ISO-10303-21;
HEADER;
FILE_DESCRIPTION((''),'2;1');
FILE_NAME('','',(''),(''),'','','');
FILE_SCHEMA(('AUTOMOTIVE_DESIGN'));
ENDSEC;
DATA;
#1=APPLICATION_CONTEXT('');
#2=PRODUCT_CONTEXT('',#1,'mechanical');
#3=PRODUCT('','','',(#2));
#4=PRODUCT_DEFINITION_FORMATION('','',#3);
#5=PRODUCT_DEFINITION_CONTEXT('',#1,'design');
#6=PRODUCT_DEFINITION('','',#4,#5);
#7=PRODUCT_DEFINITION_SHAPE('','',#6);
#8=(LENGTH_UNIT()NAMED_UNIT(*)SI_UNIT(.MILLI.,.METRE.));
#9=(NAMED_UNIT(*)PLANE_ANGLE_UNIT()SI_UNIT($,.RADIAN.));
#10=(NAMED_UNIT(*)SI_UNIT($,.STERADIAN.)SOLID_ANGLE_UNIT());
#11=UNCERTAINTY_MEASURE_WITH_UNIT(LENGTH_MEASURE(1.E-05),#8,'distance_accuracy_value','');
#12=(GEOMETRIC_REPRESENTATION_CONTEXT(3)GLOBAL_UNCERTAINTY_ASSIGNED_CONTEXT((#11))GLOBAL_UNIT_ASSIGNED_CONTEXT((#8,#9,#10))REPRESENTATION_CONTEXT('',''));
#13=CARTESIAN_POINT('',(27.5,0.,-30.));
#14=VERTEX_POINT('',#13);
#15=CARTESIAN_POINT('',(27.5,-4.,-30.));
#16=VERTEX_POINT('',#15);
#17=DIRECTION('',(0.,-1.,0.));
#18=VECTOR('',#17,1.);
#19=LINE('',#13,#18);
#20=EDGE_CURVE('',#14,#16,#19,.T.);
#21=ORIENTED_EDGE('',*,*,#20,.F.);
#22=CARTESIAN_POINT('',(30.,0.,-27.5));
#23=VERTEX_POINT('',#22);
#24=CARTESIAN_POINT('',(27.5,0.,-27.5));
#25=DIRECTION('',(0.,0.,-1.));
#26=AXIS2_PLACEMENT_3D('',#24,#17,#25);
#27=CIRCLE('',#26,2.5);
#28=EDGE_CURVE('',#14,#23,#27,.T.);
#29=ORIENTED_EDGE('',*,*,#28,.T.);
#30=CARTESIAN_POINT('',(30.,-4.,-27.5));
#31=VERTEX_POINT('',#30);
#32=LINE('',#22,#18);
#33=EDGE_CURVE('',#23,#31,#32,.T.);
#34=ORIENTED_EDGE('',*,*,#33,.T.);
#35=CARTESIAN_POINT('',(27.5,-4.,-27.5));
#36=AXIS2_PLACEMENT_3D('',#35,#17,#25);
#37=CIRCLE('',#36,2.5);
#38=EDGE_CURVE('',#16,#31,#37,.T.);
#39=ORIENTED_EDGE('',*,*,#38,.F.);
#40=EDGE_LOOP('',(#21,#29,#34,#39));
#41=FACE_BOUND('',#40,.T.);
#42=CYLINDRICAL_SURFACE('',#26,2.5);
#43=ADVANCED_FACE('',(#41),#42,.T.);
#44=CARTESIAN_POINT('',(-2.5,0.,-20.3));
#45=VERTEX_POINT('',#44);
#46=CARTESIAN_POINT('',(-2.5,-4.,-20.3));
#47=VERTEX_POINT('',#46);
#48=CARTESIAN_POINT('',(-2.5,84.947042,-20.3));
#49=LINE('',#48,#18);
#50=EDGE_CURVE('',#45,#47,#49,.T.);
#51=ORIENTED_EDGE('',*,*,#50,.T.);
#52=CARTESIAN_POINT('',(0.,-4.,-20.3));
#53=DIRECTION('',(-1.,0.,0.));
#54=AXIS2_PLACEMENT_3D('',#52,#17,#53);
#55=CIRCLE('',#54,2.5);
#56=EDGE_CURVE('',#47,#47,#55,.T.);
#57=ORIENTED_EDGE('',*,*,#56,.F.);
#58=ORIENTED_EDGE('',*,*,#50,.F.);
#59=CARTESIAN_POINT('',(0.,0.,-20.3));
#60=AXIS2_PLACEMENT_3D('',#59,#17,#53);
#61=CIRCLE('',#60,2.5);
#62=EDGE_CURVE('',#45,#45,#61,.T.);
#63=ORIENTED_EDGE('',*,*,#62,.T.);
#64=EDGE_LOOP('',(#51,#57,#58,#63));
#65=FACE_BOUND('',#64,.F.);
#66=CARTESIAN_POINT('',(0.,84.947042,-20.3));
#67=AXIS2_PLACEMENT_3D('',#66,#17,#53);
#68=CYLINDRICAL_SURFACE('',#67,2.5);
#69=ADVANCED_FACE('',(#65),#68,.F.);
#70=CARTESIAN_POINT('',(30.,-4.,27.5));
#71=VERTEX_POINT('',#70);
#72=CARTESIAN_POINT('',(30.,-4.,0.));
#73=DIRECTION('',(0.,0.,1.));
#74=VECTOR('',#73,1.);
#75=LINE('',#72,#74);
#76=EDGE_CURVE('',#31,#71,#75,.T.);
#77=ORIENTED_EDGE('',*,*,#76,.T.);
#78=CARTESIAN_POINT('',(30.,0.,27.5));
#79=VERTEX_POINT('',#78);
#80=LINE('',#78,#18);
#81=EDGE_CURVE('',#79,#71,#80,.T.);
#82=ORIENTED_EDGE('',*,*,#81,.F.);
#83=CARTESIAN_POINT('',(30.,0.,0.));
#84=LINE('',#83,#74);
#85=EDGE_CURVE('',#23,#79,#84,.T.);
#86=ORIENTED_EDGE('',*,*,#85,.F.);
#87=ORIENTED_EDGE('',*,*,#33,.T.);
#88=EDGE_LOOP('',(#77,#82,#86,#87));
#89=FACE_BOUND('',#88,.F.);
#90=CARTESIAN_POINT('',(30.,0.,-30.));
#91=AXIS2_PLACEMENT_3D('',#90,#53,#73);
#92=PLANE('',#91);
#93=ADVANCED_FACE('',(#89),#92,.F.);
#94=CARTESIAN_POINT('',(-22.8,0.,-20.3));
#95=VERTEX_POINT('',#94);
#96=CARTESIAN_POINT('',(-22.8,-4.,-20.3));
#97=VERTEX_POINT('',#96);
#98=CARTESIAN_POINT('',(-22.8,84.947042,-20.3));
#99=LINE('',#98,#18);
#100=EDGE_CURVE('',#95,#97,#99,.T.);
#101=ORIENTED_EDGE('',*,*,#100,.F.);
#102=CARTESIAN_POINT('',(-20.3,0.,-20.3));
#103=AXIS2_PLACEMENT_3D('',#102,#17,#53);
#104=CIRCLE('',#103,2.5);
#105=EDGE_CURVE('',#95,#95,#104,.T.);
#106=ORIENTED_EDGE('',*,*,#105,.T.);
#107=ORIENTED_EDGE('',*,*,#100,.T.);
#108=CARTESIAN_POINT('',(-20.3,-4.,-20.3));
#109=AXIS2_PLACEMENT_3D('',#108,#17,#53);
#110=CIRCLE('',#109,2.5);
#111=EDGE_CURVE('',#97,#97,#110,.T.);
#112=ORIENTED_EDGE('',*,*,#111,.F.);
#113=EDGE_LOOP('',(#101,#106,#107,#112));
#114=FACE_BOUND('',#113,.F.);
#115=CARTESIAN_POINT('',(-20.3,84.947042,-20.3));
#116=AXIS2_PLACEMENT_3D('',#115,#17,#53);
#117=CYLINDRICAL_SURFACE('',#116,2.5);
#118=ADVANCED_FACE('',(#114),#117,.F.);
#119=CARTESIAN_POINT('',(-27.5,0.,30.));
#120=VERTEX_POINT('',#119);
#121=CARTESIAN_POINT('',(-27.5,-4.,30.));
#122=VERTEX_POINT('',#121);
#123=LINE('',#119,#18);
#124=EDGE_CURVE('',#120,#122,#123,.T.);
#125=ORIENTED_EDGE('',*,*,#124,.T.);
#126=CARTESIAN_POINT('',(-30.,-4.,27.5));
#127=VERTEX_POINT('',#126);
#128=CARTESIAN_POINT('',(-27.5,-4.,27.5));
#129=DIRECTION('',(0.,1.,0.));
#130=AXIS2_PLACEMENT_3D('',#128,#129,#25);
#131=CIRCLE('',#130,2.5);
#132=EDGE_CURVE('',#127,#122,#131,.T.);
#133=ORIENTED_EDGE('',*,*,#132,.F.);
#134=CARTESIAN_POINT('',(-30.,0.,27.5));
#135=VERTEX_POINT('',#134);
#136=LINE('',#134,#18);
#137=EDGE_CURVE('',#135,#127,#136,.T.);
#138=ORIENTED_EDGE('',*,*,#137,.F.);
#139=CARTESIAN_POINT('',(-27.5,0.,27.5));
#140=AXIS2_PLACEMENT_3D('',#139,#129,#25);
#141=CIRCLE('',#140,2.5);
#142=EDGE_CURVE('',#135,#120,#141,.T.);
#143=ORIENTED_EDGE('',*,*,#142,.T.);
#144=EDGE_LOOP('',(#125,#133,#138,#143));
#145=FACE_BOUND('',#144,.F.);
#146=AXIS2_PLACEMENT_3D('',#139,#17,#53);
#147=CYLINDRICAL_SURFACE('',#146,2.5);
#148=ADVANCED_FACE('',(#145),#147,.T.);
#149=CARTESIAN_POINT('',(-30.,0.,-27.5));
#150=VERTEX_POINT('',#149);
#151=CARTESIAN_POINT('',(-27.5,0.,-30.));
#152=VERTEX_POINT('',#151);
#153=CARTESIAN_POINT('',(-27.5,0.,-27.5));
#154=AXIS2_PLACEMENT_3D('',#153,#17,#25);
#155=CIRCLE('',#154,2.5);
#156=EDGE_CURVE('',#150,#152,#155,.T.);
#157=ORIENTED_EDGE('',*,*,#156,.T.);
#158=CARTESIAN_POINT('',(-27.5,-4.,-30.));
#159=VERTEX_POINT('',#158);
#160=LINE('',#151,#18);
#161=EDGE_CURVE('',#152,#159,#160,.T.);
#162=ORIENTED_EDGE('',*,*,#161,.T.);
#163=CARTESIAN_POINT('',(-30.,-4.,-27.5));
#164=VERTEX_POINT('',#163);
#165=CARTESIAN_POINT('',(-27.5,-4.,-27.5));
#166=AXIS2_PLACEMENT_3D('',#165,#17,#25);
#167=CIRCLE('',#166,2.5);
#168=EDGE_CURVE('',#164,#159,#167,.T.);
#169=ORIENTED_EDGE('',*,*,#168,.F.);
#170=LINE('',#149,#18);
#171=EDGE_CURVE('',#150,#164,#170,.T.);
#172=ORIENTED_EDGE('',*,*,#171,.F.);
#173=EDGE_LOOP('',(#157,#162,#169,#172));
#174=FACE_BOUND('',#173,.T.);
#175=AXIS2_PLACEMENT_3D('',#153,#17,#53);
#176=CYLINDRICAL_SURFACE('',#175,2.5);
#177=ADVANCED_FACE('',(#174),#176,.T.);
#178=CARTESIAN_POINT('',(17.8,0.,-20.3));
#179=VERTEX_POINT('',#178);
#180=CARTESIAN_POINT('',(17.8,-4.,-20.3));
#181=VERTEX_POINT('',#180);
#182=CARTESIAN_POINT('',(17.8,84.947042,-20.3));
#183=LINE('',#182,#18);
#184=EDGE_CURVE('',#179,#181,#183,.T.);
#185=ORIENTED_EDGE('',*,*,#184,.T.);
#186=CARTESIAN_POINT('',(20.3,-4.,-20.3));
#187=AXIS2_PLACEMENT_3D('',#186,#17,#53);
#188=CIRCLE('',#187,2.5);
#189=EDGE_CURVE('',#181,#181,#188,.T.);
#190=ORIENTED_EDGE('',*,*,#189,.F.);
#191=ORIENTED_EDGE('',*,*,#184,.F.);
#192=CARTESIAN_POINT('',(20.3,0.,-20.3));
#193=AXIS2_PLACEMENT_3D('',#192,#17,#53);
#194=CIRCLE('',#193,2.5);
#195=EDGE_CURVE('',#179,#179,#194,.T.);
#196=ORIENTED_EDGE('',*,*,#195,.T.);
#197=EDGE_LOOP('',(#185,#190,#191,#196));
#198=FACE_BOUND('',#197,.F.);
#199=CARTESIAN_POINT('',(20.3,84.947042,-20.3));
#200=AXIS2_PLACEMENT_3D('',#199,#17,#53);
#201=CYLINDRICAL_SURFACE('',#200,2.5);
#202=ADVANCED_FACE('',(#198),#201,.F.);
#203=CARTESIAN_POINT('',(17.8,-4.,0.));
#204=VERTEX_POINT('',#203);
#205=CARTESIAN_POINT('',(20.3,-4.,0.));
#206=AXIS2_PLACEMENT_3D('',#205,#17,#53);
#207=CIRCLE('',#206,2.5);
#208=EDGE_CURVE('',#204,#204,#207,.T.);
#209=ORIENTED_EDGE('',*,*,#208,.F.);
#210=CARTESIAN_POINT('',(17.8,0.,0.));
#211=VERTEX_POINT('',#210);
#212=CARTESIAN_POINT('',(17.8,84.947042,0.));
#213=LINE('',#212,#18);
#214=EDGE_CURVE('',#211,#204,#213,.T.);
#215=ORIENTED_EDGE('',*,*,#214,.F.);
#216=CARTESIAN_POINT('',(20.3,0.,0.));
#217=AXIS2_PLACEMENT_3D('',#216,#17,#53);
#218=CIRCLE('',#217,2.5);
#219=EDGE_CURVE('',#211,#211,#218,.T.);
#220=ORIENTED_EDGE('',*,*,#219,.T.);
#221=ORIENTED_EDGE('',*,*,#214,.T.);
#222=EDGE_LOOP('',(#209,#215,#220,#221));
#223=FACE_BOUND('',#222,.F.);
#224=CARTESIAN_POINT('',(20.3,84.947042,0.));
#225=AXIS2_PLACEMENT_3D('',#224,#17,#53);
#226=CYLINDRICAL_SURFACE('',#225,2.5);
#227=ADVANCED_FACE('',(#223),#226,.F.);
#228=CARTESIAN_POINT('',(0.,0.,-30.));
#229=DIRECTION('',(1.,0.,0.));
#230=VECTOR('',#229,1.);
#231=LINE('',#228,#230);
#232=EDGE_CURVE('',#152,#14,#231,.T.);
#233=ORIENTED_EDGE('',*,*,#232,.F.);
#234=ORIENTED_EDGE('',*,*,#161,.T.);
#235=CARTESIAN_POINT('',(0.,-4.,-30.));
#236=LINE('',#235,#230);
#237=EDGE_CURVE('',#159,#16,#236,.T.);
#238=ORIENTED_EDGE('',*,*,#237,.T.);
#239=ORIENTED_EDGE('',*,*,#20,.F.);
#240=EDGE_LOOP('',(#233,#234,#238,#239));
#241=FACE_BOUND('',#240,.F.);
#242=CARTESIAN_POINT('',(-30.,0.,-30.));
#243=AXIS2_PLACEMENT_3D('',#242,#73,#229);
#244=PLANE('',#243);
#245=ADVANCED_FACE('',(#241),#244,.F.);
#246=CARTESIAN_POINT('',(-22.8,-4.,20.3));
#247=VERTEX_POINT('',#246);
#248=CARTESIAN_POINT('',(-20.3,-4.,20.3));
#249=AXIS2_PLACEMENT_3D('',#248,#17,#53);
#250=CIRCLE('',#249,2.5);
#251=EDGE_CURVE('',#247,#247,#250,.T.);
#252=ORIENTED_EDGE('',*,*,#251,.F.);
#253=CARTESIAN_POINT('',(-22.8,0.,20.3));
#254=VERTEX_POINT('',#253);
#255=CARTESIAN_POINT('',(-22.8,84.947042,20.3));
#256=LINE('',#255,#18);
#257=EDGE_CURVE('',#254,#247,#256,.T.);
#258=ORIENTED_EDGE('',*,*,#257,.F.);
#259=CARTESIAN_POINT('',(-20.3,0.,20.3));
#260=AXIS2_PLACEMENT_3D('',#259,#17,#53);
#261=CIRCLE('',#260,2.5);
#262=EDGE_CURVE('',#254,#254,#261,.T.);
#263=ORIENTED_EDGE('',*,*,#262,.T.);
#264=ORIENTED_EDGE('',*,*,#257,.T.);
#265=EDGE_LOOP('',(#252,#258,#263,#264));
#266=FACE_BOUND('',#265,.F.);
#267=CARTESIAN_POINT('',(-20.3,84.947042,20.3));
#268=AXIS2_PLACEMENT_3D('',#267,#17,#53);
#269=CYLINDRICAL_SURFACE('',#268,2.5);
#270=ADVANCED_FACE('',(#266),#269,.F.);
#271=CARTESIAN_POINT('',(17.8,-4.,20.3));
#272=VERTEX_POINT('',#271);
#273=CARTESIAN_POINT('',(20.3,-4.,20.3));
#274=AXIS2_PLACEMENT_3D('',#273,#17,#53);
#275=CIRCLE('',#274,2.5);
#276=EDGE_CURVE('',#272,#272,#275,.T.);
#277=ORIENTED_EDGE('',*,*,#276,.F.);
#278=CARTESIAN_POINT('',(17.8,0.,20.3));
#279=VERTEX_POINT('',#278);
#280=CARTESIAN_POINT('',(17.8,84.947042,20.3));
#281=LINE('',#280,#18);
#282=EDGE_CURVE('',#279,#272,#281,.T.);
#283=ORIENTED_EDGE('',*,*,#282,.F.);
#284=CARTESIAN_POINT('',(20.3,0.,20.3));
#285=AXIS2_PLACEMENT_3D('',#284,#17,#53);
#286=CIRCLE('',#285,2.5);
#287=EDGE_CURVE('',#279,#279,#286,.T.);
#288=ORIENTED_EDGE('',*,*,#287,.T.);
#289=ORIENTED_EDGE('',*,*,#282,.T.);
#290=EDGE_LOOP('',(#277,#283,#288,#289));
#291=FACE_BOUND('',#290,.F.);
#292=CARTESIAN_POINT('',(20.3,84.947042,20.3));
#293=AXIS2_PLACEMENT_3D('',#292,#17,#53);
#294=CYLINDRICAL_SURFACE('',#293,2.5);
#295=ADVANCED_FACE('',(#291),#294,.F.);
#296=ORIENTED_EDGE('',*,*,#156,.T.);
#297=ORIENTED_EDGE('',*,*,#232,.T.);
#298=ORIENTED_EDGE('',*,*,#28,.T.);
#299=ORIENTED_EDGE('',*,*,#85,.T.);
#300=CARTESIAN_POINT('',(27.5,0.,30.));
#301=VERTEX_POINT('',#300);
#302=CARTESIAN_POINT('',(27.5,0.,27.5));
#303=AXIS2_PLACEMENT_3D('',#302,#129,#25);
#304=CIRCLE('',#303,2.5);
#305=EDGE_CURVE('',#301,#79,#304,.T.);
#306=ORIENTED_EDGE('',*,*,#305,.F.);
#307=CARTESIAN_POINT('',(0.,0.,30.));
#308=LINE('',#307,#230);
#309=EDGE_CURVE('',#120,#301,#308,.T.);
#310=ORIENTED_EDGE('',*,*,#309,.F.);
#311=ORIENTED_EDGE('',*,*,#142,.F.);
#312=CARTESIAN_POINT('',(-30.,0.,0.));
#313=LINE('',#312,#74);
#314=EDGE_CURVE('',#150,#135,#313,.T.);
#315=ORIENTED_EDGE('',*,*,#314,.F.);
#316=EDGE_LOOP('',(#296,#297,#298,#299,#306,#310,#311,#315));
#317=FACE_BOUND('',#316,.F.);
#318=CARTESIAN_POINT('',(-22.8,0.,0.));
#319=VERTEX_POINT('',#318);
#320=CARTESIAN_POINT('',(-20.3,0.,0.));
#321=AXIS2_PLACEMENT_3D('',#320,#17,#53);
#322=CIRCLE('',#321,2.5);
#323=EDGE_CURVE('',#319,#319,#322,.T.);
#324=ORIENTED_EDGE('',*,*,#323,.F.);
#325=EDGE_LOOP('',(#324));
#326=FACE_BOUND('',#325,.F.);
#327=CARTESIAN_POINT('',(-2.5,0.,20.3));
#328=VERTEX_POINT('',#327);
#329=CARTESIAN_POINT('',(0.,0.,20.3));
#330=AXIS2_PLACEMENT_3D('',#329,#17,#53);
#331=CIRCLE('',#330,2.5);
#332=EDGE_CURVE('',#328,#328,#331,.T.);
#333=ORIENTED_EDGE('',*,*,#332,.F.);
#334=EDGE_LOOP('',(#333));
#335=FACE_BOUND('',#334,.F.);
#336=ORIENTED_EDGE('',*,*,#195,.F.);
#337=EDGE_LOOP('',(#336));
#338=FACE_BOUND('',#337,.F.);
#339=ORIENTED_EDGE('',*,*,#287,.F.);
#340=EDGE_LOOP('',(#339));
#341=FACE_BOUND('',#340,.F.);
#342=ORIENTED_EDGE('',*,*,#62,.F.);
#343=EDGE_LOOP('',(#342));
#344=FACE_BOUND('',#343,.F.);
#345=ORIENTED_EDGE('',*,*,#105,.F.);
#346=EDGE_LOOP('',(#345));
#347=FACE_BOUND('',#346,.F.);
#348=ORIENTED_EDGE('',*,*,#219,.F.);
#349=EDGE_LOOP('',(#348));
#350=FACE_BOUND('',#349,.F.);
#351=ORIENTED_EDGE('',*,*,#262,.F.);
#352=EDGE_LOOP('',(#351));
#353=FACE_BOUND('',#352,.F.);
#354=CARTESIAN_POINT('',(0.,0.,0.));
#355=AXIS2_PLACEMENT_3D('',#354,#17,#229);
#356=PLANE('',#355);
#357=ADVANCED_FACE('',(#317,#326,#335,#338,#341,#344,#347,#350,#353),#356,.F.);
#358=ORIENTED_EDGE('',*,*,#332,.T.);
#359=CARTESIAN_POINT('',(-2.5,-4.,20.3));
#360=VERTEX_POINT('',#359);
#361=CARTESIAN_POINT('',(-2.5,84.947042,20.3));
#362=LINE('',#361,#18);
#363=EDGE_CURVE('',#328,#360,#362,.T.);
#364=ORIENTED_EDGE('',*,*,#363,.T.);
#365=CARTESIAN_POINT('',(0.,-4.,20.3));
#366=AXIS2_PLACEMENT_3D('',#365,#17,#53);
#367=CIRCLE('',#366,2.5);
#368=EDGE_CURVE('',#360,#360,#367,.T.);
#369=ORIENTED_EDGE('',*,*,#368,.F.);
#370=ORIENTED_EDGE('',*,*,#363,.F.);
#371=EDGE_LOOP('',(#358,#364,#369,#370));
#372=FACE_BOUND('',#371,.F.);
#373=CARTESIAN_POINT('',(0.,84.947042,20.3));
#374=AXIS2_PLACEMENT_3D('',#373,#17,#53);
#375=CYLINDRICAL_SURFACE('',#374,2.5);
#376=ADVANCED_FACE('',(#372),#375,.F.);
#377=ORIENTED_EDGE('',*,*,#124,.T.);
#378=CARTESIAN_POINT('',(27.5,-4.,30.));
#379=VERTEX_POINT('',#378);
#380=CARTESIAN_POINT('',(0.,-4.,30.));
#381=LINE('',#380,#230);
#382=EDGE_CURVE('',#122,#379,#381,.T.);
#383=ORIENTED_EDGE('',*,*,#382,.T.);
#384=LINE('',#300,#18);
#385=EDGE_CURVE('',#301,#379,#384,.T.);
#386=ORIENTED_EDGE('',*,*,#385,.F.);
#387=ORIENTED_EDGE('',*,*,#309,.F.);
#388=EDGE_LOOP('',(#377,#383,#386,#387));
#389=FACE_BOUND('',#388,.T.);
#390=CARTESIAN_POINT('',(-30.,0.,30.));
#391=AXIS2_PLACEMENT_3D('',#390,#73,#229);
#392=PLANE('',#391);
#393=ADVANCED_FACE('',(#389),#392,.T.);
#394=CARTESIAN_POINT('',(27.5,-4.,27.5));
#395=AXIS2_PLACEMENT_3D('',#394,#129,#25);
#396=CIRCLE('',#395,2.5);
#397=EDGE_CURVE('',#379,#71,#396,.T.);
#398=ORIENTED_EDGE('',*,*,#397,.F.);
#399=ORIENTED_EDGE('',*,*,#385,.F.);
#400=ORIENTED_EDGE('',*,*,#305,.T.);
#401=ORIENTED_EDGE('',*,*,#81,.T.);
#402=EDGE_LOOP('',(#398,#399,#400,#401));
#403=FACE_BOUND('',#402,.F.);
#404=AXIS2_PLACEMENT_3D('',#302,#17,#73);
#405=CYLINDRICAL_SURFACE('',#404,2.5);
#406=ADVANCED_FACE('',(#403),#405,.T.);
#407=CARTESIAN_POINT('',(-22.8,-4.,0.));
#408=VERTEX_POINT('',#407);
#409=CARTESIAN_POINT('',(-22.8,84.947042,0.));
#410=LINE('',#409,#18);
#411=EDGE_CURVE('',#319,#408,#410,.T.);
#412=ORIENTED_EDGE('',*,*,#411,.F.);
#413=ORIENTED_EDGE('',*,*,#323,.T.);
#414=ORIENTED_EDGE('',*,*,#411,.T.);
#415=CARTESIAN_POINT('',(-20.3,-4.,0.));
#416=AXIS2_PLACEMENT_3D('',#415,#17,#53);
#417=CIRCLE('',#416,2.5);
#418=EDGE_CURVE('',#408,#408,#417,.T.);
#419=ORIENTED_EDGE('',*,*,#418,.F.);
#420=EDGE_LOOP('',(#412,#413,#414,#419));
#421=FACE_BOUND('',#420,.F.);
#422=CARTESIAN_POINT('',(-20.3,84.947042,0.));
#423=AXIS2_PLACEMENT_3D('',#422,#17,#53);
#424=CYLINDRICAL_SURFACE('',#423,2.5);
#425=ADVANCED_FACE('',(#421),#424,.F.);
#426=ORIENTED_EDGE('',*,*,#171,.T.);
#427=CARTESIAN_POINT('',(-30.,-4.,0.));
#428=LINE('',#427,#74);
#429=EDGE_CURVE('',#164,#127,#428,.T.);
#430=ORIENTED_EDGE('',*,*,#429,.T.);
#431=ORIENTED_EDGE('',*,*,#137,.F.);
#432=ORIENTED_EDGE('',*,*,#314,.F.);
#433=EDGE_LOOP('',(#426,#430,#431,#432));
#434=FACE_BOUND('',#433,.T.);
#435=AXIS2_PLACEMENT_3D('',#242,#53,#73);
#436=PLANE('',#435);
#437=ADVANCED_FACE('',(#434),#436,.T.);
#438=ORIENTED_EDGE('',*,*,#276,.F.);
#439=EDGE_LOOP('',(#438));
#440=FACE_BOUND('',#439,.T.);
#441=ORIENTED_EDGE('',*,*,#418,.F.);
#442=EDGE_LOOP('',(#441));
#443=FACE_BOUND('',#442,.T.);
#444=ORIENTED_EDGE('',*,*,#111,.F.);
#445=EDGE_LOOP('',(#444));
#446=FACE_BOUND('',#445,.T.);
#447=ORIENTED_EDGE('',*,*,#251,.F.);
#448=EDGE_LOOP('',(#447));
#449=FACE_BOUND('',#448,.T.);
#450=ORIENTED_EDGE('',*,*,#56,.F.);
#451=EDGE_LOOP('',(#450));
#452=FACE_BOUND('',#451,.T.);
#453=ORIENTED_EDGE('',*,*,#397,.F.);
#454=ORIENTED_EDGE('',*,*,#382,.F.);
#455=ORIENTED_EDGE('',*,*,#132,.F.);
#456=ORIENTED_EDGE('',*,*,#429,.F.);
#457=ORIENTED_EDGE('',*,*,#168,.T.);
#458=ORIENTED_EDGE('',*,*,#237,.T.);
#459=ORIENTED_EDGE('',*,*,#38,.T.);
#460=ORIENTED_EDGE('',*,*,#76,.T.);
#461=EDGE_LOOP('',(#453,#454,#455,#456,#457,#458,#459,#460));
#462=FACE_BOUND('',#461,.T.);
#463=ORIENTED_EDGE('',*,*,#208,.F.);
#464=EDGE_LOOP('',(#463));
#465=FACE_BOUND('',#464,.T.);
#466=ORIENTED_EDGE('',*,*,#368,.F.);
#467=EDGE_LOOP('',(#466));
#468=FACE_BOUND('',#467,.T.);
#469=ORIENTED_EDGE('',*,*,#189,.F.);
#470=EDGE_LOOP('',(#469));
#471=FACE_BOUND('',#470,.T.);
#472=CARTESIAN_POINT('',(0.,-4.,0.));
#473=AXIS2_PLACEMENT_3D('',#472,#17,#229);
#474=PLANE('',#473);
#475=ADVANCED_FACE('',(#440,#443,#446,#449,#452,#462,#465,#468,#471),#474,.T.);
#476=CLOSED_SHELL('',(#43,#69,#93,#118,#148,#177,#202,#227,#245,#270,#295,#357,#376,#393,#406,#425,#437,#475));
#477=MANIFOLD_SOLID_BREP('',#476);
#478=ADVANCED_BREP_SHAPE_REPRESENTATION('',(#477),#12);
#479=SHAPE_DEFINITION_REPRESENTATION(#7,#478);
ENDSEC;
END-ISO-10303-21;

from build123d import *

# Parameters (mm, degrees)
F0_W     = 60
F0_H     = 60
F1_DEPTH = 4
F2_D     = 5
F3_R     = 2.5


with BuildPart() as f1:
    # F0 (on Front) → F1 (new body)
    with BuildSketch(Plane.XZ):
        Rectangle(F0_W, F0_H)
    extrude(amount=F1_DEPTH)

    # F2 (through all)
    with Locations(Plane(origin=(0, 0, 0), x_dir=(1, 0, 0), z_dir=(0, 1, 0))):
        with Locations((-20.3, -20.3), (20.3, -20.3), (20.3, 20.3), (-20.3, 20.3), (0, 20.3), (20.3, 0), (0, -20.3), (-20.3, 0)):
            Hole(F2_D / 2)

    # F3
    f3_edges = [f1.edges().sort_by_distance(p)[0] for p in [
        (30, -2, 30),
        (30, -2, -30),
        (-30, -2, -30),
        (-30, -2, 30),
    ]]
    fillet(f3_edges, radius=F3_R)


solid = f1.part
